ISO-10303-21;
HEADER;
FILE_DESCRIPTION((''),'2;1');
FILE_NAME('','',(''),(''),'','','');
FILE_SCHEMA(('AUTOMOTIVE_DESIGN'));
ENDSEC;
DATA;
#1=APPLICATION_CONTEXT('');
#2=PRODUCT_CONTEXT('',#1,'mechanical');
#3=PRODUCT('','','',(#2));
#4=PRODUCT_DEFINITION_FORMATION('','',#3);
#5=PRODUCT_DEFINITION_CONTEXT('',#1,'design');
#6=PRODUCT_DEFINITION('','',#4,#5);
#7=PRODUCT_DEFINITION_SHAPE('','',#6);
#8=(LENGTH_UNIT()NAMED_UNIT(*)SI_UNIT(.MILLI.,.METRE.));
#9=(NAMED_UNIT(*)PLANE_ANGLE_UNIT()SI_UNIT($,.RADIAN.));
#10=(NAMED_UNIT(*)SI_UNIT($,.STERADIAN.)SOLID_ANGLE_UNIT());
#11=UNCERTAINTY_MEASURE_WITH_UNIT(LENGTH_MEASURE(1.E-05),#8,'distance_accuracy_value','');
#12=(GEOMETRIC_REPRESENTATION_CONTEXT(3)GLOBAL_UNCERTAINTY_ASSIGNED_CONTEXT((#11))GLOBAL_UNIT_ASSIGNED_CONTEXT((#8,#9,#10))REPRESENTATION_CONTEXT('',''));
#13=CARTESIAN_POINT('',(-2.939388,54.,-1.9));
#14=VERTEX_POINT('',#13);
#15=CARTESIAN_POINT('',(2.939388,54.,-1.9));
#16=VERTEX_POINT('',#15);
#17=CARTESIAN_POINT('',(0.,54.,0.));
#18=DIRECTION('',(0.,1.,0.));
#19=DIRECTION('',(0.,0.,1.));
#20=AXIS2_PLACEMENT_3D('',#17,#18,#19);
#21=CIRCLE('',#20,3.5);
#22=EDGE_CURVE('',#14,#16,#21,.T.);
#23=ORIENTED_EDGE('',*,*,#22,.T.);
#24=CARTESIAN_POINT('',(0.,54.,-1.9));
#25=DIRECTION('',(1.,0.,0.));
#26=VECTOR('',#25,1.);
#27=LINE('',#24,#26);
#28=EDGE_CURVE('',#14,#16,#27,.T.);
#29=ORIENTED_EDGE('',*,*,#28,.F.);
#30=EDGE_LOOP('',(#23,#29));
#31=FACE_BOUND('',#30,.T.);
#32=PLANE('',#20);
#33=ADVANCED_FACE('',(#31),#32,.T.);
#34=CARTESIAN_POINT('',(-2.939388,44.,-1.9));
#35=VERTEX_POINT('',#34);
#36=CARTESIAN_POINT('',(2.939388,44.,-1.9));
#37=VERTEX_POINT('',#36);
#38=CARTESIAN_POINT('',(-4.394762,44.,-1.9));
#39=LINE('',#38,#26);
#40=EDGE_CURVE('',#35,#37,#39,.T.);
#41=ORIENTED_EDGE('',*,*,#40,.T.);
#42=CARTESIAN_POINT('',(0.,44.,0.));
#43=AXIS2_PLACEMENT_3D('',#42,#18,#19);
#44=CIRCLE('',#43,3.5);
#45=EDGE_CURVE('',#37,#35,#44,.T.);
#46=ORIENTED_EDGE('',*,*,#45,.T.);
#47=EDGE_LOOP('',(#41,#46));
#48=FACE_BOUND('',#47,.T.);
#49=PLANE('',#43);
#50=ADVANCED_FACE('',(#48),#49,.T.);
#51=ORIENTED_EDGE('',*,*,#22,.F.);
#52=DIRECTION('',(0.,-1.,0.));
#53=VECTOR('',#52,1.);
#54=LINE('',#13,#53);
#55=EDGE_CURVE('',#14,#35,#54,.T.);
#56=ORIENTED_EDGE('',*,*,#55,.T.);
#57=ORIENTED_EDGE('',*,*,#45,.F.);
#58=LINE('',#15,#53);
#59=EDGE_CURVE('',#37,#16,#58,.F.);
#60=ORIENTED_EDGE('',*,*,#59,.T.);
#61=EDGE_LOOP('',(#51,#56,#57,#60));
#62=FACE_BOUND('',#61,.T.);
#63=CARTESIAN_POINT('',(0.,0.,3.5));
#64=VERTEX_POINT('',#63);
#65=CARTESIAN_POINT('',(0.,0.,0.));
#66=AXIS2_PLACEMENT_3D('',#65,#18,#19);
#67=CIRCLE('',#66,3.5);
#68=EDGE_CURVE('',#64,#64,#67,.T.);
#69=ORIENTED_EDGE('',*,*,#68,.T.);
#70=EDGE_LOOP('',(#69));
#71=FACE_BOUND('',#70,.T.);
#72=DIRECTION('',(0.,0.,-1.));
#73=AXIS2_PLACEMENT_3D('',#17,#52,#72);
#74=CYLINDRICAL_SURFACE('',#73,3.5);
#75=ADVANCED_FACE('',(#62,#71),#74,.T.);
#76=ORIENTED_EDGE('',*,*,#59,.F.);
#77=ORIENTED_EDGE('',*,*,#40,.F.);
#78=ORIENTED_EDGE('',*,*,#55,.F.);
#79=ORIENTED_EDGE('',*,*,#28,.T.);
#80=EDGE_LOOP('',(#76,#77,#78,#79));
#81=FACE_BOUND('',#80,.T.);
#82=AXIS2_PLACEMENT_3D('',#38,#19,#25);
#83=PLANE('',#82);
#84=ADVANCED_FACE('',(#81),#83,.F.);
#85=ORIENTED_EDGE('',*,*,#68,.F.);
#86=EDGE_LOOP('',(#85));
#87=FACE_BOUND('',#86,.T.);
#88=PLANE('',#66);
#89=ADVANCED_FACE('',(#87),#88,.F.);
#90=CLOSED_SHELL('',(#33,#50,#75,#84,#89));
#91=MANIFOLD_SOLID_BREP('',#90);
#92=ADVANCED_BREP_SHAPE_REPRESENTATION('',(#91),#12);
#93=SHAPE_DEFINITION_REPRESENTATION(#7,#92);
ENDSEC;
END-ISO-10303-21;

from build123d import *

# Parameters (mm, degrees)
SKETCH_1_R          = 3.5
EXTRUDE_1_DEPTH     = 54
SKETCH_2_W          = 8.789523474
SKETCH_2_H          = 10
CUT_EXTRUDE_1_DEPTH = 10


with BuildPart() as part:
    # 草图1 → 凸台-拉伸1 (new body)
    with BuildSketch(Plane(origin=(0, 0, 0), x_dir=(1, 0, 0), z_dir=(0, 1, 0))):
        Circle(SKETCH_1_R)
    extrude(amount=EXTRUDE_1_DEPTH)

    # 草图2 → 切除-拉伸1 (cut)
    with BuildSketch(Plane(origin=(0, 54, 0), x_dir=(1, 0, 0), z_dir=(0, 1, 0))):
        with Locations((0, 6.9)):
            Rectangle(SKETCH_2_W, SKETCH_2_H)
    extrude(amount=-CUT_EXTRUDE_1_DEPTH, mode=Mode.SUBTRACT)


solid = part.part
